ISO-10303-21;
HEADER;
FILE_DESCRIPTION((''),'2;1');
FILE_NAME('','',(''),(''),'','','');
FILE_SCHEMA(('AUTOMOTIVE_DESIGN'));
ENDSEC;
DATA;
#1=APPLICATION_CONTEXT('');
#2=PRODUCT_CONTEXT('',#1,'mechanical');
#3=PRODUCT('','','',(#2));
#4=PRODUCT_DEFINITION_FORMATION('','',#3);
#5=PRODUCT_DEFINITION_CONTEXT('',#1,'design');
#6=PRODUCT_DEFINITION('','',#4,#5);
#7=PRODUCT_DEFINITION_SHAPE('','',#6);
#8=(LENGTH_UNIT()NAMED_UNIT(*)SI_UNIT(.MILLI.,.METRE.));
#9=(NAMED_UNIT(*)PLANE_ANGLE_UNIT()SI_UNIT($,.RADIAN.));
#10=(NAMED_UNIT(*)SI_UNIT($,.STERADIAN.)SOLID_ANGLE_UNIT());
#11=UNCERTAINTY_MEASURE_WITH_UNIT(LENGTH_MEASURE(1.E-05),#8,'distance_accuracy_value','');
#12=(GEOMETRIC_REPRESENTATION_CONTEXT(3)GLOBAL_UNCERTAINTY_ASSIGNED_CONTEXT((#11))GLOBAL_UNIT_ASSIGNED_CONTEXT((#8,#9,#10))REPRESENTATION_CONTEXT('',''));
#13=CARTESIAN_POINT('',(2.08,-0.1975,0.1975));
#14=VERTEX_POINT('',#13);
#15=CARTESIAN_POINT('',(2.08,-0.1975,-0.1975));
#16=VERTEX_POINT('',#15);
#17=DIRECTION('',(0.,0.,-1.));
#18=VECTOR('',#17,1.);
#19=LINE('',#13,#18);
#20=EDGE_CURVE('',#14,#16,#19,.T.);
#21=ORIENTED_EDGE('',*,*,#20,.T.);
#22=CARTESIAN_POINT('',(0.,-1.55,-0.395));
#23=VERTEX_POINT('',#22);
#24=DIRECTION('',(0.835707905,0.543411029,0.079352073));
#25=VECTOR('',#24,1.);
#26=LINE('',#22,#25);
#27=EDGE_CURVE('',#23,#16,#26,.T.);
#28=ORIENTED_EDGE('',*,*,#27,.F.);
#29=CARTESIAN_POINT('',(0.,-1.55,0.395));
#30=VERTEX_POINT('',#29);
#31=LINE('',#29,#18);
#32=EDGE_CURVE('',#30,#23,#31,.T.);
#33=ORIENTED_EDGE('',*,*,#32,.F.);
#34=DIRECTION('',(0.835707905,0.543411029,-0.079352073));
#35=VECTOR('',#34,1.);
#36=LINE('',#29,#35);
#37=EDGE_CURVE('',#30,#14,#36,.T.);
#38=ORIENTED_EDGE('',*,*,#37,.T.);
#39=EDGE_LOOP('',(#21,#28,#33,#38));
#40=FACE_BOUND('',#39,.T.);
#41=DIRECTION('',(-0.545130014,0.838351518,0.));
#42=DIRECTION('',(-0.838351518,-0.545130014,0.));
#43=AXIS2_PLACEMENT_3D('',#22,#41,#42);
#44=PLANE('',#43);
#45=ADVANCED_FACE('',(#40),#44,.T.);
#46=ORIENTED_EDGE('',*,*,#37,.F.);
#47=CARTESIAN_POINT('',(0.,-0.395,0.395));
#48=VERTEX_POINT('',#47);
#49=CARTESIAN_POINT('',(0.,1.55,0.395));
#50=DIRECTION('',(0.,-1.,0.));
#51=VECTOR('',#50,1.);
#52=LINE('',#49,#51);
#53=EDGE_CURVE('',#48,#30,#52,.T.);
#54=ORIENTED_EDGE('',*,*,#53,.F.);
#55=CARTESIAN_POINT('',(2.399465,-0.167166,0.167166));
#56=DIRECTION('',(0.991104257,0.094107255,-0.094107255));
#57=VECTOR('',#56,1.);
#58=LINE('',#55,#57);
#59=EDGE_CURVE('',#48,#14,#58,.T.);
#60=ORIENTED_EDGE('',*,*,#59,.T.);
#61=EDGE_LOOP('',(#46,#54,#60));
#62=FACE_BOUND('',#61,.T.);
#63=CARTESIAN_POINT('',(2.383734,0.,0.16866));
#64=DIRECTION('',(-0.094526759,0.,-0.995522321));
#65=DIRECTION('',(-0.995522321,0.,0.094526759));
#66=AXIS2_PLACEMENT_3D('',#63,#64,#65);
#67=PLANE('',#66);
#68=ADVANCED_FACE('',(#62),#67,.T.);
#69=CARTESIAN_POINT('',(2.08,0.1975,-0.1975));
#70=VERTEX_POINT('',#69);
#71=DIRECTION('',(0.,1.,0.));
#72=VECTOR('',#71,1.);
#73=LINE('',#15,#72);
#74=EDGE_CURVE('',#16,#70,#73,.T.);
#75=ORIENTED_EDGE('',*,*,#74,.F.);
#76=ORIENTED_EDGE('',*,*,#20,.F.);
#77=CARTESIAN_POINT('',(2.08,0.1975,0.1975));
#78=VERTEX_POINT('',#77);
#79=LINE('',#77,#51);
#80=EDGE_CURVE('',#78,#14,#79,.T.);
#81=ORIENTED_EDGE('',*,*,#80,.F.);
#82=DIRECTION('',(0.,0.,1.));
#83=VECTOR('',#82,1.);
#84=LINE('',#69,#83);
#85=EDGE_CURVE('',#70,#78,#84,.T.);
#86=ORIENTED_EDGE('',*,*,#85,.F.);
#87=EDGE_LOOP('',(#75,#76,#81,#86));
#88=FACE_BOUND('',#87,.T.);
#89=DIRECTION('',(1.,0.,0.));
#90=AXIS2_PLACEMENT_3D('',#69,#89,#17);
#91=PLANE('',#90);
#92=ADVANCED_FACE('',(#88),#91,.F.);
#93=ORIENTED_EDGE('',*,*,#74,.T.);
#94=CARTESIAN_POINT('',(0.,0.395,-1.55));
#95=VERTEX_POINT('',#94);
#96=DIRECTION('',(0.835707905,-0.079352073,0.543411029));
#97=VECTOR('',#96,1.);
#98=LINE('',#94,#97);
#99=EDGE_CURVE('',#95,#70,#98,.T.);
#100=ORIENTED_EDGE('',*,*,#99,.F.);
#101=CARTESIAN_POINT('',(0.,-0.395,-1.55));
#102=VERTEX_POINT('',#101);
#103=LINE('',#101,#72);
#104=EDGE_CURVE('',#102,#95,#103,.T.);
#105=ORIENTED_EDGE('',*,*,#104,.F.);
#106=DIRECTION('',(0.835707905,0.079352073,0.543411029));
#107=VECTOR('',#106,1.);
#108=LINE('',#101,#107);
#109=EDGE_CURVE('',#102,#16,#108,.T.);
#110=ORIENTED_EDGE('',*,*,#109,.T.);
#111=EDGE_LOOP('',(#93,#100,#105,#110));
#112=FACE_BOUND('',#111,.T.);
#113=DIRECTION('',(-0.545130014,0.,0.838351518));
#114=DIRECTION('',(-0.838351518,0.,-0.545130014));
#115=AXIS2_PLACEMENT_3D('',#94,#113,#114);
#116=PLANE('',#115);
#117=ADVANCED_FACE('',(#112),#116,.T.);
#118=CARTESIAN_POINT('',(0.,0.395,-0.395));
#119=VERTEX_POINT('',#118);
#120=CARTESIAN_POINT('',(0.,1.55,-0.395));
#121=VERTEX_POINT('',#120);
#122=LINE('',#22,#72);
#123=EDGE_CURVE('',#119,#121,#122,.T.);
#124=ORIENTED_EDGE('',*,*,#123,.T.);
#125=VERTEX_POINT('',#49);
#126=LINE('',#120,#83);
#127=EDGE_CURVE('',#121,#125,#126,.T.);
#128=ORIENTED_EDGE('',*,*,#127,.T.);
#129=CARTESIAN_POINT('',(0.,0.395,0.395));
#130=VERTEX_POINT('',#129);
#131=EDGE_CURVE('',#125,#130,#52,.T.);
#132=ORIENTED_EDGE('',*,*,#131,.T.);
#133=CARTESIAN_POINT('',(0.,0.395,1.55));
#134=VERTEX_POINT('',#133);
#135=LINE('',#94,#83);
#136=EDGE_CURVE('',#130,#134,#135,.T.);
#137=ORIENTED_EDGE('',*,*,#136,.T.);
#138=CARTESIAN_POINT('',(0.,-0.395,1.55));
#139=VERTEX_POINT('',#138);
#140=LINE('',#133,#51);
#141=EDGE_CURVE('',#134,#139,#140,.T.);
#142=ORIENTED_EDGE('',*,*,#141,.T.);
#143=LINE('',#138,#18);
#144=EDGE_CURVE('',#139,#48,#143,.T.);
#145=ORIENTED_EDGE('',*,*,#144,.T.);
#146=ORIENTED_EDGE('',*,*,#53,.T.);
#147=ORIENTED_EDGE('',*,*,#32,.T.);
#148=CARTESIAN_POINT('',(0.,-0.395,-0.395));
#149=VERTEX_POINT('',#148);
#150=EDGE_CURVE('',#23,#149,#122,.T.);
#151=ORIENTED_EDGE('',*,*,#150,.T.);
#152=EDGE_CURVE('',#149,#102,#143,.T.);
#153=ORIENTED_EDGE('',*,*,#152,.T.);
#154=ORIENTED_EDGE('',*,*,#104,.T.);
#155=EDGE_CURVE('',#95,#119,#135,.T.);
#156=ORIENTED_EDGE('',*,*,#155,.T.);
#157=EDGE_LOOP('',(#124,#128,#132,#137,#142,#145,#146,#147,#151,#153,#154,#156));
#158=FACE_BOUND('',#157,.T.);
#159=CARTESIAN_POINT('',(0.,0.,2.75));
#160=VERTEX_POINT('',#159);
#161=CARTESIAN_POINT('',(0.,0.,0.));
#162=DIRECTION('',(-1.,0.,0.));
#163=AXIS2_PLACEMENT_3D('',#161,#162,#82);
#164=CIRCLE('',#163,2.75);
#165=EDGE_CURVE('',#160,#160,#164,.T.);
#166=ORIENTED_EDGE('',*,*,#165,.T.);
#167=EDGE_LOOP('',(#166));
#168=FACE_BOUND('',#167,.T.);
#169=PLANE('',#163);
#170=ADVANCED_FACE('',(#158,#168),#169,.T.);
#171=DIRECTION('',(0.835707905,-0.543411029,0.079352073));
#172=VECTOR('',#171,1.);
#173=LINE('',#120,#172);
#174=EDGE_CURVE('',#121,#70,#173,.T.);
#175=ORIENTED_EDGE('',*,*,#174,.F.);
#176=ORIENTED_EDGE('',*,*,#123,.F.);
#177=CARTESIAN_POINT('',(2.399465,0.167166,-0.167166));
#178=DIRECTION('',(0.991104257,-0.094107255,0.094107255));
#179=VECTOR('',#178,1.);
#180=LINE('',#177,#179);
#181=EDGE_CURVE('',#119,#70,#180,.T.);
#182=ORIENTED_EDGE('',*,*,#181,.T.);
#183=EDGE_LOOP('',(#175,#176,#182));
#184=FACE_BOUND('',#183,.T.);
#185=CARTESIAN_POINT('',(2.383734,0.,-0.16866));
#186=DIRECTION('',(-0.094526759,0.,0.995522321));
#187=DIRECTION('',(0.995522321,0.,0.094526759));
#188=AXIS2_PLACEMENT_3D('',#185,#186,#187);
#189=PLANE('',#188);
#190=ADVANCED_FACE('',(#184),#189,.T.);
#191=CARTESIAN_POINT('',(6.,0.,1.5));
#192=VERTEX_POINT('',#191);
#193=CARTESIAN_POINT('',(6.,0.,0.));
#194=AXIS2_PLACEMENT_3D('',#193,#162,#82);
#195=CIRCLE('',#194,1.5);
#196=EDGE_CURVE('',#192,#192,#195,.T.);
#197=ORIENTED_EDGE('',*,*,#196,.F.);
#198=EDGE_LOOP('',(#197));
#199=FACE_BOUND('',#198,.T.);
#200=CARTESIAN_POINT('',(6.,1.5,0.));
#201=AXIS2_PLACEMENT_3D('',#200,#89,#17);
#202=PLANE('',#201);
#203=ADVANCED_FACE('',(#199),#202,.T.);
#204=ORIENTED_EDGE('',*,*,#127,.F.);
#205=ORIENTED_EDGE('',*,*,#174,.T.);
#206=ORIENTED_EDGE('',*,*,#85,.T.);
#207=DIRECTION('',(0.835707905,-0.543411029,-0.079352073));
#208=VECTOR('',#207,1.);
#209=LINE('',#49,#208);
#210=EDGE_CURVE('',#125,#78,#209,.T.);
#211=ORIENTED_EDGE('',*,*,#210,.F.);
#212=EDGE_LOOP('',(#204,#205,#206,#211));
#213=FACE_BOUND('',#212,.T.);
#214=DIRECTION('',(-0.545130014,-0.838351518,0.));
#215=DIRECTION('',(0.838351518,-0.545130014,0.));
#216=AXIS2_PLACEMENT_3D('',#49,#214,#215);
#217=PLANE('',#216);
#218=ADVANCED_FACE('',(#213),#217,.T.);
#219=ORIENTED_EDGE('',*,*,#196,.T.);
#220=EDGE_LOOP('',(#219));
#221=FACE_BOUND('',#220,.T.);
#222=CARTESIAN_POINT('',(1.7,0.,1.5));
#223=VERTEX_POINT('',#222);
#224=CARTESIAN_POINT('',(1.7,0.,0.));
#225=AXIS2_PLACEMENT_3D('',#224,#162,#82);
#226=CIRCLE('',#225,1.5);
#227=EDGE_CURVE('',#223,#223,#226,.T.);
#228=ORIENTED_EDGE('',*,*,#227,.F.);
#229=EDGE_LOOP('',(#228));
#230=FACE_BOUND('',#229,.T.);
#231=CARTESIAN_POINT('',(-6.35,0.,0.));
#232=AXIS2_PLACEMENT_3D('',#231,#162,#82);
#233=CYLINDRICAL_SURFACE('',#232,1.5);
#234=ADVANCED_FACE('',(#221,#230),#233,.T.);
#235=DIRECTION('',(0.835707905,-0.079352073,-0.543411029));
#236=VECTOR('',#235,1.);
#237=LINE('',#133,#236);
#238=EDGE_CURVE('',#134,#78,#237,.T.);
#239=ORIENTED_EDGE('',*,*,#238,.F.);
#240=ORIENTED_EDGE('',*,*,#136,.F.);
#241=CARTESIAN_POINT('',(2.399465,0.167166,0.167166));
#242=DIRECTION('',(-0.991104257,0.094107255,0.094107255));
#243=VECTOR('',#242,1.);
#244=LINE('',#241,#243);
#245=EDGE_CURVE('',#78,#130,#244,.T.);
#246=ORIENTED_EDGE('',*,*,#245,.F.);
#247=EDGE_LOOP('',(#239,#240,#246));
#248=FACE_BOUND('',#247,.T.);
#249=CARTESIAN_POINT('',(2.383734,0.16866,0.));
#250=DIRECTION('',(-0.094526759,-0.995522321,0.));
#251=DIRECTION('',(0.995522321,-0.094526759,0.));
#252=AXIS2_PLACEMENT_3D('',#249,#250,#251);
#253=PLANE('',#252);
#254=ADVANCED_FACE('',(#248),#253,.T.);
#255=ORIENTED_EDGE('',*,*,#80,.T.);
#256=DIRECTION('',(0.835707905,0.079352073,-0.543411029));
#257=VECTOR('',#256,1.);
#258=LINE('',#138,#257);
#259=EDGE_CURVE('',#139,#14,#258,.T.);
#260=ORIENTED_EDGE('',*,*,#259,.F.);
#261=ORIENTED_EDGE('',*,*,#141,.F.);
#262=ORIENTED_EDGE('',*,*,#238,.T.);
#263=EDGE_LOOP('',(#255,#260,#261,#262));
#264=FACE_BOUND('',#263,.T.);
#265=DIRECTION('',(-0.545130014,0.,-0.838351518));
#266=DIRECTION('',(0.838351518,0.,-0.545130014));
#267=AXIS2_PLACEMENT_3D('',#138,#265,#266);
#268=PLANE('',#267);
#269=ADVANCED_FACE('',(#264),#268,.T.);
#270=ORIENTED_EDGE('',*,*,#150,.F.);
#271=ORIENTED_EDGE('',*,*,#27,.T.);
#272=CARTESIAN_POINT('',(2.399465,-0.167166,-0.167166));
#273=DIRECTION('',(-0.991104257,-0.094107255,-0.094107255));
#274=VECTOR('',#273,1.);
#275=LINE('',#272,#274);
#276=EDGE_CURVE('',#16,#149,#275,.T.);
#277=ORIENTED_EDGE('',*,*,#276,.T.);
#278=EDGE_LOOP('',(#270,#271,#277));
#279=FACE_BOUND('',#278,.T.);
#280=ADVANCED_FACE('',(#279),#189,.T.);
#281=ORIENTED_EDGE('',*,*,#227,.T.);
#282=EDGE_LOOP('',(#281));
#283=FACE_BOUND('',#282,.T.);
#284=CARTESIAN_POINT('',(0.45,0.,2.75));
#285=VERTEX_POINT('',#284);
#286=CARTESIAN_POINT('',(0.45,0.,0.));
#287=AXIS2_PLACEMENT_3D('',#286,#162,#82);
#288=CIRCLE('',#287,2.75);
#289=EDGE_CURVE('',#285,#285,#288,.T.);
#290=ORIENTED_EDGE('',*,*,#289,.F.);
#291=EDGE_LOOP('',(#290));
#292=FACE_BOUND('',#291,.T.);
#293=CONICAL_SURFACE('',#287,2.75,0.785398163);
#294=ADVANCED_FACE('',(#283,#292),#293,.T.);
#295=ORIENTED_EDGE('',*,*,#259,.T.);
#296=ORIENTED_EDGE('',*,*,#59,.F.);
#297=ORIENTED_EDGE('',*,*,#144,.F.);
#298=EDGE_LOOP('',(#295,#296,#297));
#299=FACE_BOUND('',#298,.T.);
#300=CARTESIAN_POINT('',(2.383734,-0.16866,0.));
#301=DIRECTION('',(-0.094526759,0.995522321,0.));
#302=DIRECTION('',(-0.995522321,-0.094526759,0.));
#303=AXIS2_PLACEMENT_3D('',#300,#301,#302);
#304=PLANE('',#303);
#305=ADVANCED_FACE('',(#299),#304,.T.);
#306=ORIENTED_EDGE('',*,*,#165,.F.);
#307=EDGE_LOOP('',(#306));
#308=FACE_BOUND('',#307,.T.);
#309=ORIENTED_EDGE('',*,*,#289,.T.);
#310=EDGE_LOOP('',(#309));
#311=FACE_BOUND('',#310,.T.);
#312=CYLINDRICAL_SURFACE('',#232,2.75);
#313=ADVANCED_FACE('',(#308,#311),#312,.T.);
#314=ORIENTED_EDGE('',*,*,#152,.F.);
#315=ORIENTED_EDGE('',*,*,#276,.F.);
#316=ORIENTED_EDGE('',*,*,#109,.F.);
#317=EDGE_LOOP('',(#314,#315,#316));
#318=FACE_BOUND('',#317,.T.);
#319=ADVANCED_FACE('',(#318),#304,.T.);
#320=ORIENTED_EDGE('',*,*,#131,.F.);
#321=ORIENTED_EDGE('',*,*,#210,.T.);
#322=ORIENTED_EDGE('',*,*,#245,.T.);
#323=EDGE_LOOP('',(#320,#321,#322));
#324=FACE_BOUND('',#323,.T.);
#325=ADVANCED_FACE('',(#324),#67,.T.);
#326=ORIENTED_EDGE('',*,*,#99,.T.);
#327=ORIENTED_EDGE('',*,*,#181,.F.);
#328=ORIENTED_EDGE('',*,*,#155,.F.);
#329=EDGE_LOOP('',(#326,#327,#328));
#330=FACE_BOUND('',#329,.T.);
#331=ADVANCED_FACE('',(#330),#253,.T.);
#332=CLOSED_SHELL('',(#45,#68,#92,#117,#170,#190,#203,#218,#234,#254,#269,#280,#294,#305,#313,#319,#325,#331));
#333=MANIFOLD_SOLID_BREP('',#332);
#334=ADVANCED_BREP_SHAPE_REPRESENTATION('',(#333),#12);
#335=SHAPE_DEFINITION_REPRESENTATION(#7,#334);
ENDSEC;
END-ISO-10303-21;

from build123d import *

# Parameters (mm, degrees)
SKETCH3_W         = 0.79
SKETCH3_H         = 3.1
SKETCH4_W         = 0.395
SKETCH4_H         = 0.395
CIRPATTERN1_COUNT = 2
CIRPATTERN1_ANGLE = 90


with BuildPart() as part:
    # BodySke → Base-Revolve (revolve)
    with BuildSketch(Plane.XY):
        Polygon((0, 0), (0, 2.75), (0.45, 2.75), (1.7, 1.5), (6, 1.5), (6, 0), align=None)
    revolve(axis=Axis((-6.35, 0, 0), (1, 0, 0)))

    # Sketch3 → Cross section 0
    with BuildSketch(Plane.ZY):
        Rectangle(SKETCH3_W, SKETCH3_H)
    # Sketch4 → Cross section 1
    with BuildSketch(Plane.ZY.offset(-2.08)):
        Rectangle(SKETCH4_W, SKETCH4_H)
    cross = loft(mode=Mode.SUBTRACT)

    # CirPattern1: Cross ×2 about axis
    cirpattern1_axis = Axis((0, 0, 0), (1, 0, 0))
    for i in range(1, CIRPATTERN1_COUNT):
        add(cross.rotate(cirpattern1_axis, i * CIRPATTERN1_ANGLE / (CIRPATTERN1_COUNT - 1)), mode=Mode.SUBTRACT)


solid = part.part
